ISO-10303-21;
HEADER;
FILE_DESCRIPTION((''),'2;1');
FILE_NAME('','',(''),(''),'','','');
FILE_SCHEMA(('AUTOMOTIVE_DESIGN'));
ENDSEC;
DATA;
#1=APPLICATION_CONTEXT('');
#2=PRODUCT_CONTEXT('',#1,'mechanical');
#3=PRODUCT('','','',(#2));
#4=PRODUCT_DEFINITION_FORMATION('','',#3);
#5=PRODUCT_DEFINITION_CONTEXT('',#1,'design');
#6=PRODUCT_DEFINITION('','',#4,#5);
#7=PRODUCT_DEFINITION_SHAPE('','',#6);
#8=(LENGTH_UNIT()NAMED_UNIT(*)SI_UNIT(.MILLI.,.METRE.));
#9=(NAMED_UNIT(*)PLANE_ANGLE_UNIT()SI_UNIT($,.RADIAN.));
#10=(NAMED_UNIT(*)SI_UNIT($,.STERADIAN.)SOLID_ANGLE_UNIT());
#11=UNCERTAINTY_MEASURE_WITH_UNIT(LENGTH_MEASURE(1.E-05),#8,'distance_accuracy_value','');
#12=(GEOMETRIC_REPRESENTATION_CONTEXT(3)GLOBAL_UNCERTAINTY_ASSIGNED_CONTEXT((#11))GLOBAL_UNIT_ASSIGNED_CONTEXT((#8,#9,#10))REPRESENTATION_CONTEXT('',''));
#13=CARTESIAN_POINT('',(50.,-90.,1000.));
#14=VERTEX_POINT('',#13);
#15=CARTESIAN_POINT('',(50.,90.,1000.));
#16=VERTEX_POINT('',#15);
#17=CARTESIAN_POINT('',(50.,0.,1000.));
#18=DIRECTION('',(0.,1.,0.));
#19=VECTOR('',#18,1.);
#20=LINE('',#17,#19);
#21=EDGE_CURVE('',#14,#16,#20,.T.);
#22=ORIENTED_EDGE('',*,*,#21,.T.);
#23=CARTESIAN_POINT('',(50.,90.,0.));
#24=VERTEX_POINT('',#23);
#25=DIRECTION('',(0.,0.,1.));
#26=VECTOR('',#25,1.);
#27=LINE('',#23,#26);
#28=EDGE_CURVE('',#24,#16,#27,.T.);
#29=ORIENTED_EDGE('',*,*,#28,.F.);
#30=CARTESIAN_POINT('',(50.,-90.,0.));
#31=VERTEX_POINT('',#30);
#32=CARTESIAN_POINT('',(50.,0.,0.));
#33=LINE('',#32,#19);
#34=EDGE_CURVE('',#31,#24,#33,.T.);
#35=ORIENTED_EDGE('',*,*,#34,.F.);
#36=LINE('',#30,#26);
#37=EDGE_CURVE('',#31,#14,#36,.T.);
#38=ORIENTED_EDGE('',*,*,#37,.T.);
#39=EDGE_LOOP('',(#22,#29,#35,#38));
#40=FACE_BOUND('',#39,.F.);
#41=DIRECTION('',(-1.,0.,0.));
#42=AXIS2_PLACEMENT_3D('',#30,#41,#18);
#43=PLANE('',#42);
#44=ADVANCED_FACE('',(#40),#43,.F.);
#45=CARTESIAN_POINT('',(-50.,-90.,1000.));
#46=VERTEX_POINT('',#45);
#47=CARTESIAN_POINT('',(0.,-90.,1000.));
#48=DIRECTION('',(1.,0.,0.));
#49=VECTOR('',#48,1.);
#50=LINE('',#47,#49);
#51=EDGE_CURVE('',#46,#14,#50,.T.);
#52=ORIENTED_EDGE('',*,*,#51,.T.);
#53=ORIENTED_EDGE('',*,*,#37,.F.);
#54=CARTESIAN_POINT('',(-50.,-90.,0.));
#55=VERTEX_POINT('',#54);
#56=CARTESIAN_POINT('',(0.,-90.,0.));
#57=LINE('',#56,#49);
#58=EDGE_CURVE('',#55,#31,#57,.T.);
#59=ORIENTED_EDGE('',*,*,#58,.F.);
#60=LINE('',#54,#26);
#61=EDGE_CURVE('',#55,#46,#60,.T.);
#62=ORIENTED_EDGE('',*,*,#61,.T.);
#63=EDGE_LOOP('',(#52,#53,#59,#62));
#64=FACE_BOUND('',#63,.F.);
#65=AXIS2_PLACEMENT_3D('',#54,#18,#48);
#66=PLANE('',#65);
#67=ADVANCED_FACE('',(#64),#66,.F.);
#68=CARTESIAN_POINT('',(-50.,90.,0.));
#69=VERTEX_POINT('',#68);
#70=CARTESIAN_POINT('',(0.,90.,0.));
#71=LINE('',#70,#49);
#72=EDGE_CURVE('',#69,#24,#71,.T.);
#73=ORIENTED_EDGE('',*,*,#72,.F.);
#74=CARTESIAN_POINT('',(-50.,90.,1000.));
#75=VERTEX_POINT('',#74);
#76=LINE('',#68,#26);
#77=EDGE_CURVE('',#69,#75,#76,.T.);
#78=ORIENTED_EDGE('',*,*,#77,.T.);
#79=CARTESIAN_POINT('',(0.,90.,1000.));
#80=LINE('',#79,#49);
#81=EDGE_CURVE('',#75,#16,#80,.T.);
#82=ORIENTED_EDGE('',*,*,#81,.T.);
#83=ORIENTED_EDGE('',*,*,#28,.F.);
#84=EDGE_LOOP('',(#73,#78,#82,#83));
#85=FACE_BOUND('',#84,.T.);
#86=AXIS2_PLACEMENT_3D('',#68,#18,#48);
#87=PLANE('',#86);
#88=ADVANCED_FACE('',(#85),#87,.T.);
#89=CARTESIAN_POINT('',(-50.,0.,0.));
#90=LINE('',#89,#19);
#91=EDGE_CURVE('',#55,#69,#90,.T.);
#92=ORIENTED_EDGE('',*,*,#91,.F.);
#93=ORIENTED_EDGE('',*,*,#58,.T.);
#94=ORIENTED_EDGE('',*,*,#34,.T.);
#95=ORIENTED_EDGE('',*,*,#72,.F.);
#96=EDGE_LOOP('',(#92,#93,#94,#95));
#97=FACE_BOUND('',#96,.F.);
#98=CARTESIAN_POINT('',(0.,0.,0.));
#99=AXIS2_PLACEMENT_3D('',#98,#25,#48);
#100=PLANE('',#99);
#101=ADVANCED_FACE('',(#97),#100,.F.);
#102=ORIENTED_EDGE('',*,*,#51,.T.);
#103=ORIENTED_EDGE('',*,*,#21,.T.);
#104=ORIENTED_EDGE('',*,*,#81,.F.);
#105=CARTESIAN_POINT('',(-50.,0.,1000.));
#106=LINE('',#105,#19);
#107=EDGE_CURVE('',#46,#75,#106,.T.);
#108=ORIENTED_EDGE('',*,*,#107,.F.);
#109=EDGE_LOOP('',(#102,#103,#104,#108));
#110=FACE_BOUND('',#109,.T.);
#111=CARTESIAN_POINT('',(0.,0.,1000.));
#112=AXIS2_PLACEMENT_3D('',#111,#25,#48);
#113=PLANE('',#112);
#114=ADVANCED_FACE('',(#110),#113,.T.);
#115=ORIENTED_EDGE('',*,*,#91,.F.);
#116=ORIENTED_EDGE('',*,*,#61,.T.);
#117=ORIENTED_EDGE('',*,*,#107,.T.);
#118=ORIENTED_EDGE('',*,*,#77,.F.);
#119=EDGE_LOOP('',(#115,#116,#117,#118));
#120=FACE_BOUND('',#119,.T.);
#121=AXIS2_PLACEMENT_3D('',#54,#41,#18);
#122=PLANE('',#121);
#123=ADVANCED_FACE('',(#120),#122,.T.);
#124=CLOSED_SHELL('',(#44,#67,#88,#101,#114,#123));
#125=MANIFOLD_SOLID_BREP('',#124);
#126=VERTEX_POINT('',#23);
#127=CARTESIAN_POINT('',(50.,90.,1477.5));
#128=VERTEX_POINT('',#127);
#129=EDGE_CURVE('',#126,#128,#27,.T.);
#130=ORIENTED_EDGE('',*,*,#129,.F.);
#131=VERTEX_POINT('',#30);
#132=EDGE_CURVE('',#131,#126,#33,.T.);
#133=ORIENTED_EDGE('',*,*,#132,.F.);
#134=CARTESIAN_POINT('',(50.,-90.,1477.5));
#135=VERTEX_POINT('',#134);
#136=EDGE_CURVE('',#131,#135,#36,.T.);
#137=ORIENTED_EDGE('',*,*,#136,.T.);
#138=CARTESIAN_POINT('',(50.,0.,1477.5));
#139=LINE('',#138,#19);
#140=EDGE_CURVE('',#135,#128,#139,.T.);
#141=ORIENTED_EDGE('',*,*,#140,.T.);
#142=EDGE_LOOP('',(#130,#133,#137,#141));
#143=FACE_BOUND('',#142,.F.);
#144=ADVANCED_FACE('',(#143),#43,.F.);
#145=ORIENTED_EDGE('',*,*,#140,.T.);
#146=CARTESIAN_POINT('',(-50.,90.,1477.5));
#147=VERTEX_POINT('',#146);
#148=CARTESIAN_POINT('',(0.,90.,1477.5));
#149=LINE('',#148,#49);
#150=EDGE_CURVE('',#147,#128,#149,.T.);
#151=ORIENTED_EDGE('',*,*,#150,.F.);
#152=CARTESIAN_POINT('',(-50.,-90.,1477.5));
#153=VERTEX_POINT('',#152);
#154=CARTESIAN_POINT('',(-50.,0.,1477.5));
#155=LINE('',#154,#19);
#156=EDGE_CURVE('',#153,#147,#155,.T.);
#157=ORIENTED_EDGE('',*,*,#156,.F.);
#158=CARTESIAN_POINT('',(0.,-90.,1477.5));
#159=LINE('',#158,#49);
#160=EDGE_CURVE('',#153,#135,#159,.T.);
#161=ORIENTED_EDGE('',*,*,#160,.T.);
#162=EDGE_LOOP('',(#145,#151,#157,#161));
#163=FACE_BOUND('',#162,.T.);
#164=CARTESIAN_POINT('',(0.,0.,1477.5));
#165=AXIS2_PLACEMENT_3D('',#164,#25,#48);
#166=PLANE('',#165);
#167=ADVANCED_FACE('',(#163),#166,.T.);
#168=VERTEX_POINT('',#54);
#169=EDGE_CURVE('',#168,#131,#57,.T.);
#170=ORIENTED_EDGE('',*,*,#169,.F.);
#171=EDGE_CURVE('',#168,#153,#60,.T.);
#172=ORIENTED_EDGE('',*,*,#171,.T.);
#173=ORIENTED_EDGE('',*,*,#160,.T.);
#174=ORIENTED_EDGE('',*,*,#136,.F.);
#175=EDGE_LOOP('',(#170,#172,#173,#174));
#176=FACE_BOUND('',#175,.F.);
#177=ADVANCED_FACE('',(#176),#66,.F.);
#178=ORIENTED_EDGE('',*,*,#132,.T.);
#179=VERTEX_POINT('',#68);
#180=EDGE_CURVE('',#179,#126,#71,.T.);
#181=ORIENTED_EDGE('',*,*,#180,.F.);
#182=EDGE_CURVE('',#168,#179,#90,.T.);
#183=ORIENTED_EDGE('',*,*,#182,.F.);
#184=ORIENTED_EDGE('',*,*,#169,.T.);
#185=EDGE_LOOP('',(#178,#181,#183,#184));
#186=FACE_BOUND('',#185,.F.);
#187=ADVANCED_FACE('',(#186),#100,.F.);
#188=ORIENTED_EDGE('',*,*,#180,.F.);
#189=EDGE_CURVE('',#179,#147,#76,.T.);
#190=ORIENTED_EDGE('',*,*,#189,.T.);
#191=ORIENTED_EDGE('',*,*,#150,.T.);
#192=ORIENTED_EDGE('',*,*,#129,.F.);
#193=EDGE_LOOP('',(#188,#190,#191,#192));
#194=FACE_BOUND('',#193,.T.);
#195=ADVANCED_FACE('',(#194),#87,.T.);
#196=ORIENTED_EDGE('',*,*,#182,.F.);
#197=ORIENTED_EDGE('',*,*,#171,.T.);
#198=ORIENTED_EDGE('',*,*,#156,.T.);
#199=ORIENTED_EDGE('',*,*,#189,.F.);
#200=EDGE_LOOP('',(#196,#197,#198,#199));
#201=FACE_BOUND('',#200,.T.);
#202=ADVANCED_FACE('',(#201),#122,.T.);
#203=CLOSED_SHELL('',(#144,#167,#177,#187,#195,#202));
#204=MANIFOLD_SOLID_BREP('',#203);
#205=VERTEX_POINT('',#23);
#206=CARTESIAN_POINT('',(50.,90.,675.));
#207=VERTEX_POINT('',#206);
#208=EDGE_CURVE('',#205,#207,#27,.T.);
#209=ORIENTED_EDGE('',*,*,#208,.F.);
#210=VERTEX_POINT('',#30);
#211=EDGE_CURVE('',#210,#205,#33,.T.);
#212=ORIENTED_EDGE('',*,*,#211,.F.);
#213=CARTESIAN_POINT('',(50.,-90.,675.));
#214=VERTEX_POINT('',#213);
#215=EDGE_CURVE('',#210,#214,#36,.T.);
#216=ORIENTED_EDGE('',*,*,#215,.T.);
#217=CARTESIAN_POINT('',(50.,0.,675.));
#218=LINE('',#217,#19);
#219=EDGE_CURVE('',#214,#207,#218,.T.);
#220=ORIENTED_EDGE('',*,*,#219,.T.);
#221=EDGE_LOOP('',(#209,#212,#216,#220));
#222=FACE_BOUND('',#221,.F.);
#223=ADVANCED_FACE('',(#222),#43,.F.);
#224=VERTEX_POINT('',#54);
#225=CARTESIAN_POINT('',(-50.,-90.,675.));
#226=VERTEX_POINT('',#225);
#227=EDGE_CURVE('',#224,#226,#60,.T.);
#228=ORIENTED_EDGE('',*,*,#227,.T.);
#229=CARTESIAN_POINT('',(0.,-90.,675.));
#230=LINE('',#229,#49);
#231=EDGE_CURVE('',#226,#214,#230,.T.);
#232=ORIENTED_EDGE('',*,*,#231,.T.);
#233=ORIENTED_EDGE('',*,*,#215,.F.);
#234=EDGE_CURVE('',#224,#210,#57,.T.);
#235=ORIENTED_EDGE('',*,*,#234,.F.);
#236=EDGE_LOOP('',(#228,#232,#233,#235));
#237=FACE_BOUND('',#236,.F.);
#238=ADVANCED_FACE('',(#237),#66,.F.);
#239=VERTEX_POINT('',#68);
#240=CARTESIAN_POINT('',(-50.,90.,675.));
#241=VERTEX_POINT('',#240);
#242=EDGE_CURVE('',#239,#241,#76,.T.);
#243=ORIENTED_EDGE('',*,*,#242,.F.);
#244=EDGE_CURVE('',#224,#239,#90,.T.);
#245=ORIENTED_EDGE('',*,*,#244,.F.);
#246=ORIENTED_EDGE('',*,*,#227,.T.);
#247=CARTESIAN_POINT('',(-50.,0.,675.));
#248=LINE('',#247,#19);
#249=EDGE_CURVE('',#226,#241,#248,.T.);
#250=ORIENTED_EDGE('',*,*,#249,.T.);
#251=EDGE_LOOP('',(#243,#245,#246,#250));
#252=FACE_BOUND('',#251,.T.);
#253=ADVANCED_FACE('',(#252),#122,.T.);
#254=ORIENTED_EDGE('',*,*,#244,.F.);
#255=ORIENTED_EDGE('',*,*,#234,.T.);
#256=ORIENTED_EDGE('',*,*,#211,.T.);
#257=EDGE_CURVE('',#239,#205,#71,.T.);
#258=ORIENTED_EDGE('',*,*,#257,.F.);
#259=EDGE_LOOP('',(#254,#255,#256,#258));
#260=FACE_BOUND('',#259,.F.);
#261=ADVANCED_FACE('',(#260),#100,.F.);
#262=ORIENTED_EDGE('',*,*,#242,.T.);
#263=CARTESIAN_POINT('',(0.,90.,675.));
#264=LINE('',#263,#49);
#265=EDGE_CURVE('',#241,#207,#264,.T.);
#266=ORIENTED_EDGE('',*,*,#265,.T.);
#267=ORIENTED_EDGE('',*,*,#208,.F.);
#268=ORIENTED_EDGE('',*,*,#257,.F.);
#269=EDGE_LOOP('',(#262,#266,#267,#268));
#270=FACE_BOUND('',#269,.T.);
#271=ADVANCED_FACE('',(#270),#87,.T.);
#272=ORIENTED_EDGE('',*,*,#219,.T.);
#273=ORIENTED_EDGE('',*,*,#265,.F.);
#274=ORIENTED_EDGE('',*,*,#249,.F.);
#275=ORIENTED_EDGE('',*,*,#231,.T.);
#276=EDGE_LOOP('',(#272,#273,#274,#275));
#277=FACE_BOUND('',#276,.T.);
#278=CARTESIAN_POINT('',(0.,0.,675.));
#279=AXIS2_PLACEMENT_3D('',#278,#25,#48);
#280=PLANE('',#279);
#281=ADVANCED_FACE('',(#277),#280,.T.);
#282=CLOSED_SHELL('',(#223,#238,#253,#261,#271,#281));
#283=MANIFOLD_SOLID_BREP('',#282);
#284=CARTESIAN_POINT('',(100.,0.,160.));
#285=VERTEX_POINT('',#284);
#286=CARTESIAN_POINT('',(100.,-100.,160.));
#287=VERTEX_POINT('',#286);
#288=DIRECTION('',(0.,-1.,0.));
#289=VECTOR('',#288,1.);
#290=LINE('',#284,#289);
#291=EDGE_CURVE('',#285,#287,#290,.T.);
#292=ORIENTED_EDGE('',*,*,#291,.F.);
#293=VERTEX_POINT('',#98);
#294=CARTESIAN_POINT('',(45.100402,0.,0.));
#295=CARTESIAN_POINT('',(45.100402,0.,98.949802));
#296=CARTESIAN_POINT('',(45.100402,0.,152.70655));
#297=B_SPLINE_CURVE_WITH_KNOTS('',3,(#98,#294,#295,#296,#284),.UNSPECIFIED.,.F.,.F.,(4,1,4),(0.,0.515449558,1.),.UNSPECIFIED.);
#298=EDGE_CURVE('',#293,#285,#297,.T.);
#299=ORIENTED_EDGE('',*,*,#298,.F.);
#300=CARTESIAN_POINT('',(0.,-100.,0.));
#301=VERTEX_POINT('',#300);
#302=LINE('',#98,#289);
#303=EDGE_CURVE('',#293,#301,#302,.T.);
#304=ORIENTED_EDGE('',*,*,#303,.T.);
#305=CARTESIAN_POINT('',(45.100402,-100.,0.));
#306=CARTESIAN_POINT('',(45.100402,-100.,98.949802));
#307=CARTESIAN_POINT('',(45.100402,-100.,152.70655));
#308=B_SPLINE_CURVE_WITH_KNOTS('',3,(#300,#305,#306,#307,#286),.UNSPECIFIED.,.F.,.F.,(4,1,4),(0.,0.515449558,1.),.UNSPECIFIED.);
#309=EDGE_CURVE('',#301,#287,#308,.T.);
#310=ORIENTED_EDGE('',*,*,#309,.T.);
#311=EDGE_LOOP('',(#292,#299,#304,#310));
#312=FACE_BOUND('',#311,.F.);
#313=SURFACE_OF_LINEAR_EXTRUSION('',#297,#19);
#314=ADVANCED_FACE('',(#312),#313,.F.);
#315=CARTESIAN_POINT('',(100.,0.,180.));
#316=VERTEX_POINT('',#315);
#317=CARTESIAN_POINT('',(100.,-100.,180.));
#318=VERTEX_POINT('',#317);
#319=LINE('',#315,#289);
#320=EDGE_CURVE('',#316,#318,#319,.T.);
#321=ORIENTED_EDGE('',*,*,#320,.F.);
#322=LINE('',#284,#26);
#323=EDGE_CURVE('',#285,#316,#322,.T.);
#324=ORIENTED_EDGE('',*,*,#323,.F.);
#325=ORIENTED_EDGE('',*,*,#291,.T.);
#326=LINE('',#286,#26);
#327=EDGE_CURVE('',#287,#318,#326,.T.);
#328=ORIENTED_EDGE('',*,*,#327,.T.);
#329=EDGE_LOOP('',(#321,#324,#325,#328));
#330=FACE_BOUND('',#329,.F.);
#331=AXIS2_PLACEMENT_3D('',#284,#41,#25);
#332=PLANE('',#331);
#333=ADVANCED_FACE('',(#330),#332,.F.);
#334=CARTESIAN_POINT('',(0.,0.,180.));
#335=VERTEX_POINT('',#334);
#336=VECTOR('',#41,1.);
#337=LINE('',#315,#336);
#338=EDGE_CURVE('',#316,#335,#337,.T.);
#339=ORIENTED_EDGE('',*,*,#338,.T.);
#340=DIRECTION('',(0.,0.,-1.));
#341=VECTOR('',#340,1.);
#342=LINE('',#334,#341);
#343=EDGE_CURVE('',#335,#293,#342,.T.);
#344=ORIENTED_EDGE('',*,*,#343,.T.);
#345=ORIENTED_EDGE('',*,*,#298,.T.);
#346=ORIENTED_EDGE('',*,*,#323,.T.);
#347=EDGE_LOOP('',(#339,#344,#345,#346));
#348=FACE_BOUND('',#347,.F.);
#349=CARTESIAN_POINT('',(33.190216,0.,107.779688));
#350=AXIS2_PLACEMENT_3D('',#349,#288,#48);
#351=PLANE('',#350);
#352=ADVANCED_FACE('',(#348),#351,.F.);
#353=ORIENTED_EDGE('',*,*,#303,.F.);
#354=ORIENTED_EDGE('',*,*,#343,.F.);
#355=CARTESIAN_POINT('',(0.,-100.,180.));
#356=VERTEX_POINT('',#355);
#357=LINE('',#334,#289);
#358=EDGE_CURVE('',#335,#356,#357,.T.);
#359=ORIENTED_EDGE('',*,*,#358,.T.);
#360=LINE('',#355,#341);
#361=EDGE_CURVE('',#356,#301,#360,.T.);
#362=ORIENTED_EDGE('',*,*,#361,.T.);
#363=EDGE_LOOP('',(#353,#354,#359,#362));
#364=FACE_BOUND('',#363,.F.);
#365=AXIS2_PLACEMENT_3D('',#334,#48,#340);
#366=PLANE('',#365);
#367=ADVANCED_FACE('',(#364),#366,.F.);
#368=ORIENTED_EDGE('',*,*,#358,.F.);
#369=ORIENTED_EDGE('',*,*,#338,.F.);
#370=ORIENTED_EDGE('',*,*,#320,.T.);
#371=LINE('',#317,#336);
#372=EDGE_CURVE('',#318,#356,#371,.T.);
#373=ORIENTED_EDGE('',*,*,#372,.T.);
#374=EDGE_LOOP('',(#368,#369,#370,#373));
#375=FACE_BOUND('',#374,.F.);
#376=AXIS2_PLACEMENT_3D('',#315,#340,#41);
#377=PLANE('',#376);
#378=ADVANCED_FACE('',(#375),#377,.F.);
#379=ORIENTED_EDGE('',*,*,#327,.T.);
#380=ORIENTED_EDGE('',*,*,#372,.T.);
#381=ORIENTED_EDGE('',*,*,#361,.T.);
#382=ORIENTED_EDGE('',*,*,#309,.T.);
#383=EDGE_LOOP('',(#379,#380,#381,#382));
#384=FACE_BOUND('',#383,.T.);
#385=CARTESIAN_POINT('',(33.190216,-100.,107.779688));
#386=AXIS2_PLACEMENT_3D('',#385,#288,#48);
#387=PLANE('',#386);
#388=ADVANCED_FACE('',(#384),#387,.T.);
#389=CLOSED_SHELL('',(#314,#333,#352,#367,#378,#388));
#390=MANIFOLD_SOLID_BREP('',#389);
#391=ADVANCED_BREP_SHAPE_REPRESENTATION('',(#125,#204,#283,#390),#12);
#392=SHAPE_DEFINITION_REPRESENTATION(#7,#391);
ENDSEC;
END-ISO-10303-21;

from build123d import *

# Parameters (mm, degrees)
F0_W     = 100
F0_H     = 180
F1_DEPTH = 1000
F2_DEPTH = 675
F3_DEPTH = 1477.5
F5_DEPTH = 100


with BuildPart() as f1:
    # F0 (on Top) → F1 (new body)
    with BuildSketch(Plane.XY):
        Rectangle(F0_W, F0_H)
    extrude(amount=F1_DEPTH)


with BuildPart() as f2:
    # F0 (on Top) → F2 (new body)
    with BuildSketch(Plane.XY):
        Rectangle(F0_W, F0_H)
    extrude(amount=F2_DEPTH)


with BuildPart() as f3:
    # F0 (on Top) → F3 (new body)
    with BuildSketch(Plane.XY):
        Rectangle(F0_W, F0_H)
    extrude(amount=F3_DEPTH)


with BuildPart() as f5:
    # F4 (on Front) → F5 (new body)
    with BuildSketch(Plane.XZ):
        with BuildLine():
            Line((0, 180), (0, 0))
            add(Edge.make_bspline(
                [(0, 0), (45.1004018503, 0), (45.1004018503, 98.9498016724), (45.1004018503, 152.7065502693), (100, 160)],
                knots=[0, 0, 0, 0, 0.5154495578, 1, 1, 1, 1], degree=3))
            Line((100, 160), (100, 180))
            Line((100, 180), (0, 180))
        make_face()
    extrude(amount=F5_DEPTH)


solid = Compound([f1.part, f2.part, f3.part, f5.part])
